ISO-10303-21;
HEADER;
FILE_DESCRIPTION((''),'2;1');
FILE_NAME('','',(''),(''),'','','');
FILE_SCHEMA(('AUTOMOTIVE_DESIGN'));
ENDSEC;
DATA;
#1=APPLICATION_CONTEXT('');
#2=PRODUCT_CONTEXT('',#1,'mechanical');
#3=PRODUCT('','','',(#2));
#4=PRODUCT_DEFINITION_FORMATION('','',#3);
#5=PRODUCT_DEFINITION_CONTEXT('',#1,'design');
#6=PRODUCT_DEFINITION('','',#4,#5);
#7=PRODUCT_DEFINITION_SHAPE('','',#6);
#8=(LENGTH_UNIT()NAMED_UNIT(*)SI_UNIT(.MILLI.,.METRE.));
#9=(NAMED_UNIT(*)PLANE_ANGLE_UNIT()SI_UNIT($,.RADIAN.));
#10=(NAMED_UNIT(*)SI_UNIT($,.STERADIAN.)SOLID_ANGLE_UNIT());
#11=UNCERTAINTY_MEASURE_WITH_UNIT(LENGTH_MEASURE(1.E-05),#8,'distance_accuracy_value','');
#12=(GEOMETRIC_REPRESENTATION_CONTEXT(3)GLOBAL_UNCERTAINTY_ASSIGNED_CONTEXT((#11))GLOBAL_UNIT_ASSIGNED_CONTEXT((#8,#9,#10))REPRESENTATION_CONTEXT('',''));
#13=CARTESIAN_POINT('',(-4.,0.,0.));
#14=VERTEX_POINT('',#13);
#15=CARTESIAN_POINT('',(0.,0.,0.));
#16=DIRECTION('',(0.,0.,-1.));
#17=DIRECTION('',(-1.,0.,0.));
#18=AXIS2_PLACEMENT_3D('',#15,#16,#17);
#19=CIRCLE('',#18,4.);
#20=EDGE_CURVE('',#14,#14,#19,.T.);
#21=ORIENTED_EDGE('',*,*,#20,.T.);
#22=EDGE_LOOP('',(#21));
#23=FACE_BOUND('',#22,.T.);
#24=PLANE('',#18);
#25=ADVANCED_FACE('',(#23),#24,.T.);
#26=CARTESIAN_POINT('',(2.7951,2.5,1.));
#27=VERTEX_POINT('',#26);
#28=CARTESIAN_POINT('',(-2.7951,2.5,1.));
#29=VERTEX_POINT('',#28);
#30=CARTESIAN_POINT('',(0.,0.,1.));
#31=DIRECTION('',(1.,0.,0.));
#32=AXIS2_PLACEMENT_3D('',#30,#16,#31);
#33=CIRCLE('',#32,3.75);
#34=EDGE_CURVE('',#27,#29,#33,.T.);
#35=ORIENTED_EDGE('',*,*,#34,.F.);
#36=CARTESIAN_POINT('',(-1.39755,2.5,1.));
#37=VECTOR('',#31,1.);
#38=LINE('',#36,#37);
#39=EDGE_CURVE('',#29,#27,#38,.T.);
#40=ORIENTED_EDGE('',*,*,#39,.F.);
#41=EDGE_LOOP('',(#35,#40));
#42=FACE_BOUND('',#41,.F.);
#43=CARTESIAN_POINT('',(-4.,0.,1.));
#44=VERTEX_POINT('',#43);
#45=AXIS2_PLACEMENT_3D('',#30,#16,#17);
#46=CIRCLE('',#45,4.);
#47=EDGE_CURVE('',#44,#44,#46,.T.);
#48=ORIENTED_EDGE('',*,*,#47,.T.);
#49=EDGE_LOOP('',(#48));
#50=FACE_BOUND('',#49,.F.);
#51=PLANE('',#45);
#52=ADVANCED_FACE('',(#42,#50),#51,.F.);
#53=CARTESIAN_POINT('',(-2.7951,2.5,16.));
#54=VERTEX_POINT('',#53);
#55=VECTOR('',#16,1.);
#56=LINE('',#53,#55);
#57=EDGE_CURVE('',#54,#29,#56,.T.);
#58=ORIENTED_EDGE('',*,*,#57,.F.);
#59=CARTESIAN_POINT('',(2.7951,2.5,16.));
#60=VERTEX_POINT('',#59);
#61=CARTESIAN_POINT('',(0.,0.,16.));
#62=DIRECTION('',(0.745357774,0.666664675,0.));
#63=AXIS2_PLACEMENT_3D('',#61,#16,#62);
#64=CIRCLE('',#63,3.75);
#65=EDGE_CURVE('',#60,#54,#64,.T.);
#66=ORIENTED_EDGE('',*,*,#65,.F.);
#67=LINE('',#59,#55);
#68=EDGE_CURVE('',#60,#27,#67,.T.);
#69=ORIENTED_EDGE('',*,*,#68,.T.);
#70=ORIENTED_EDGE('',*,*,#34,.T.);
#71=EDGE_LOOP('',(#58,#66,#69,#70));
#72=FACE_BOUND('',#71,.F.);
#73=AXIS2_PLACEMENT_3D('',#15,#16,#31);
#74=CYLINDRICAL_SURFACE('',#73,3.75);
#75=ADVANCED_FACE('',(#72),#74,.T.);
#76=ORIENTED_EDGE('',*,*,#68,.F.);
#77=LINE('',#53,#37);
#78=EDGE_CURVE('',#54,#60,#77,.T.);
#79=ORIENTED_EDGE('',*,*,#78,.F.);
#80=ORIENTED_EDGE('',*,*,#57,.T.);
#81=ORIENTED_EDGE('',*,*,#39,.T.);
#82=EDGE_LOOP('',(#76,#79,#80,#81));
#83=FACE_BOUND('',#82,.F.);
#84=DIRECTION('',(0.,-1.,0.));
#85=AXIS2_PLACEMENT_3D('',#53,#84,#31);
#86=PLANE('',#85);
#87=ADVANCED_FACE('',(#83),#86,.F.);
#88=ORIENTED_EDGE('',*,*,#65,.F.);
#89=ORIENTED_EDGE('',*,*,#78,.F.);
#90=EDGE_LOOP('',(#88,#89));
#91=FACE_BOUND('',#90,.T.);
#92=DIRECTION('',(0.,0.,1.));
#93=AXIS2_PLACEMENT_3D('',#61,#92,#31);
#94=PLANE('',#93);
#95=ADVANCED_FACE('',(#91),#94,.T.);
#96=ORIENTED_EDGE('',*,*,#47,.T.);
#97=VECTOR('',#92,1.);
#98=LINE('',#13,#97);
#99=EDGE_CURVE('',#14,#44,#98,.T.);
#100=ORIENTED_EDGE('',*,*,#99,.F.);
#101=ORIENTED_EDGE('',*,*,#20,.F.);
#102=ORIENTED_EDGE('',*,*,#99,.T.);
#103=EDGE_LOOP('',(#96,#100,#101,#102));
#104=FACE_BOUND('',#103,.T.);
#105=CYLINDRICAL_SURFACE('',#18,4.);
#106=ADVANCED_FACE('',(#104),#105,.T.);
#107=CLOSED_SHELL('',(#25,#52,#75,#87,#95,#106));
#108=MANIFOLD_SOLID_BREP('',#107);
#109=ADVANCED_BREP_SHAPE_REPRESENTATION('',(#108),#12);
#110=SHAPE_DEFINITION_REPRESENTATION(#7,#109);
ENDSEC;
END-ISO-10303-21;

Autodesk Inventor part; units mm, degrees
ref_plane "YZ Plane" through (0, 0, 0) normal (1, 0, 0) x (0, 1, 0)
ref_plane "XZ Plane" through (0, 0, 0) normal (0, 1, 0) x (-1, 0, 0)
ref_plane "XY Plane" through (0, 0, 0) normal (0, 0, 1) x (1, 0, 0)
sketch "Sketch1" plane through (0, 0, 0) normal (0, 0, 1) x (1, 0, 0)
  circle A0 centre (0, 0) radius 3.75
  dimension "d0" = 7.5
extrude "Extrusion1" add sketch "Sketch1" along normal blind 16
sketch "Sketch2" plane through (0, 0, 16) normal (0, 0, 1) x (1, 0, 0)
  circle A0 centre (0, 0) radius 3.75 projected
  line L0 (-2.7951, 2.5) -> (2.7951, 2.5)
  dimension "d3" = 2.5
extrude "Extrusion2" cut sketch "Sketch2" against normal through all contours L0 A0 picked at (-0.7066, 2.6978)
sketch "Sketch3" plane through (0, 0, 0) normal (0, 0, -1) x (-1, 0, 0)
  circle A0 centre (0, 0) radius 4
  dimension "d6" = 8
extrude "Extrusion3" add sketch "Sketch3" against normal blind 1
properties material "Stainless Steel"
